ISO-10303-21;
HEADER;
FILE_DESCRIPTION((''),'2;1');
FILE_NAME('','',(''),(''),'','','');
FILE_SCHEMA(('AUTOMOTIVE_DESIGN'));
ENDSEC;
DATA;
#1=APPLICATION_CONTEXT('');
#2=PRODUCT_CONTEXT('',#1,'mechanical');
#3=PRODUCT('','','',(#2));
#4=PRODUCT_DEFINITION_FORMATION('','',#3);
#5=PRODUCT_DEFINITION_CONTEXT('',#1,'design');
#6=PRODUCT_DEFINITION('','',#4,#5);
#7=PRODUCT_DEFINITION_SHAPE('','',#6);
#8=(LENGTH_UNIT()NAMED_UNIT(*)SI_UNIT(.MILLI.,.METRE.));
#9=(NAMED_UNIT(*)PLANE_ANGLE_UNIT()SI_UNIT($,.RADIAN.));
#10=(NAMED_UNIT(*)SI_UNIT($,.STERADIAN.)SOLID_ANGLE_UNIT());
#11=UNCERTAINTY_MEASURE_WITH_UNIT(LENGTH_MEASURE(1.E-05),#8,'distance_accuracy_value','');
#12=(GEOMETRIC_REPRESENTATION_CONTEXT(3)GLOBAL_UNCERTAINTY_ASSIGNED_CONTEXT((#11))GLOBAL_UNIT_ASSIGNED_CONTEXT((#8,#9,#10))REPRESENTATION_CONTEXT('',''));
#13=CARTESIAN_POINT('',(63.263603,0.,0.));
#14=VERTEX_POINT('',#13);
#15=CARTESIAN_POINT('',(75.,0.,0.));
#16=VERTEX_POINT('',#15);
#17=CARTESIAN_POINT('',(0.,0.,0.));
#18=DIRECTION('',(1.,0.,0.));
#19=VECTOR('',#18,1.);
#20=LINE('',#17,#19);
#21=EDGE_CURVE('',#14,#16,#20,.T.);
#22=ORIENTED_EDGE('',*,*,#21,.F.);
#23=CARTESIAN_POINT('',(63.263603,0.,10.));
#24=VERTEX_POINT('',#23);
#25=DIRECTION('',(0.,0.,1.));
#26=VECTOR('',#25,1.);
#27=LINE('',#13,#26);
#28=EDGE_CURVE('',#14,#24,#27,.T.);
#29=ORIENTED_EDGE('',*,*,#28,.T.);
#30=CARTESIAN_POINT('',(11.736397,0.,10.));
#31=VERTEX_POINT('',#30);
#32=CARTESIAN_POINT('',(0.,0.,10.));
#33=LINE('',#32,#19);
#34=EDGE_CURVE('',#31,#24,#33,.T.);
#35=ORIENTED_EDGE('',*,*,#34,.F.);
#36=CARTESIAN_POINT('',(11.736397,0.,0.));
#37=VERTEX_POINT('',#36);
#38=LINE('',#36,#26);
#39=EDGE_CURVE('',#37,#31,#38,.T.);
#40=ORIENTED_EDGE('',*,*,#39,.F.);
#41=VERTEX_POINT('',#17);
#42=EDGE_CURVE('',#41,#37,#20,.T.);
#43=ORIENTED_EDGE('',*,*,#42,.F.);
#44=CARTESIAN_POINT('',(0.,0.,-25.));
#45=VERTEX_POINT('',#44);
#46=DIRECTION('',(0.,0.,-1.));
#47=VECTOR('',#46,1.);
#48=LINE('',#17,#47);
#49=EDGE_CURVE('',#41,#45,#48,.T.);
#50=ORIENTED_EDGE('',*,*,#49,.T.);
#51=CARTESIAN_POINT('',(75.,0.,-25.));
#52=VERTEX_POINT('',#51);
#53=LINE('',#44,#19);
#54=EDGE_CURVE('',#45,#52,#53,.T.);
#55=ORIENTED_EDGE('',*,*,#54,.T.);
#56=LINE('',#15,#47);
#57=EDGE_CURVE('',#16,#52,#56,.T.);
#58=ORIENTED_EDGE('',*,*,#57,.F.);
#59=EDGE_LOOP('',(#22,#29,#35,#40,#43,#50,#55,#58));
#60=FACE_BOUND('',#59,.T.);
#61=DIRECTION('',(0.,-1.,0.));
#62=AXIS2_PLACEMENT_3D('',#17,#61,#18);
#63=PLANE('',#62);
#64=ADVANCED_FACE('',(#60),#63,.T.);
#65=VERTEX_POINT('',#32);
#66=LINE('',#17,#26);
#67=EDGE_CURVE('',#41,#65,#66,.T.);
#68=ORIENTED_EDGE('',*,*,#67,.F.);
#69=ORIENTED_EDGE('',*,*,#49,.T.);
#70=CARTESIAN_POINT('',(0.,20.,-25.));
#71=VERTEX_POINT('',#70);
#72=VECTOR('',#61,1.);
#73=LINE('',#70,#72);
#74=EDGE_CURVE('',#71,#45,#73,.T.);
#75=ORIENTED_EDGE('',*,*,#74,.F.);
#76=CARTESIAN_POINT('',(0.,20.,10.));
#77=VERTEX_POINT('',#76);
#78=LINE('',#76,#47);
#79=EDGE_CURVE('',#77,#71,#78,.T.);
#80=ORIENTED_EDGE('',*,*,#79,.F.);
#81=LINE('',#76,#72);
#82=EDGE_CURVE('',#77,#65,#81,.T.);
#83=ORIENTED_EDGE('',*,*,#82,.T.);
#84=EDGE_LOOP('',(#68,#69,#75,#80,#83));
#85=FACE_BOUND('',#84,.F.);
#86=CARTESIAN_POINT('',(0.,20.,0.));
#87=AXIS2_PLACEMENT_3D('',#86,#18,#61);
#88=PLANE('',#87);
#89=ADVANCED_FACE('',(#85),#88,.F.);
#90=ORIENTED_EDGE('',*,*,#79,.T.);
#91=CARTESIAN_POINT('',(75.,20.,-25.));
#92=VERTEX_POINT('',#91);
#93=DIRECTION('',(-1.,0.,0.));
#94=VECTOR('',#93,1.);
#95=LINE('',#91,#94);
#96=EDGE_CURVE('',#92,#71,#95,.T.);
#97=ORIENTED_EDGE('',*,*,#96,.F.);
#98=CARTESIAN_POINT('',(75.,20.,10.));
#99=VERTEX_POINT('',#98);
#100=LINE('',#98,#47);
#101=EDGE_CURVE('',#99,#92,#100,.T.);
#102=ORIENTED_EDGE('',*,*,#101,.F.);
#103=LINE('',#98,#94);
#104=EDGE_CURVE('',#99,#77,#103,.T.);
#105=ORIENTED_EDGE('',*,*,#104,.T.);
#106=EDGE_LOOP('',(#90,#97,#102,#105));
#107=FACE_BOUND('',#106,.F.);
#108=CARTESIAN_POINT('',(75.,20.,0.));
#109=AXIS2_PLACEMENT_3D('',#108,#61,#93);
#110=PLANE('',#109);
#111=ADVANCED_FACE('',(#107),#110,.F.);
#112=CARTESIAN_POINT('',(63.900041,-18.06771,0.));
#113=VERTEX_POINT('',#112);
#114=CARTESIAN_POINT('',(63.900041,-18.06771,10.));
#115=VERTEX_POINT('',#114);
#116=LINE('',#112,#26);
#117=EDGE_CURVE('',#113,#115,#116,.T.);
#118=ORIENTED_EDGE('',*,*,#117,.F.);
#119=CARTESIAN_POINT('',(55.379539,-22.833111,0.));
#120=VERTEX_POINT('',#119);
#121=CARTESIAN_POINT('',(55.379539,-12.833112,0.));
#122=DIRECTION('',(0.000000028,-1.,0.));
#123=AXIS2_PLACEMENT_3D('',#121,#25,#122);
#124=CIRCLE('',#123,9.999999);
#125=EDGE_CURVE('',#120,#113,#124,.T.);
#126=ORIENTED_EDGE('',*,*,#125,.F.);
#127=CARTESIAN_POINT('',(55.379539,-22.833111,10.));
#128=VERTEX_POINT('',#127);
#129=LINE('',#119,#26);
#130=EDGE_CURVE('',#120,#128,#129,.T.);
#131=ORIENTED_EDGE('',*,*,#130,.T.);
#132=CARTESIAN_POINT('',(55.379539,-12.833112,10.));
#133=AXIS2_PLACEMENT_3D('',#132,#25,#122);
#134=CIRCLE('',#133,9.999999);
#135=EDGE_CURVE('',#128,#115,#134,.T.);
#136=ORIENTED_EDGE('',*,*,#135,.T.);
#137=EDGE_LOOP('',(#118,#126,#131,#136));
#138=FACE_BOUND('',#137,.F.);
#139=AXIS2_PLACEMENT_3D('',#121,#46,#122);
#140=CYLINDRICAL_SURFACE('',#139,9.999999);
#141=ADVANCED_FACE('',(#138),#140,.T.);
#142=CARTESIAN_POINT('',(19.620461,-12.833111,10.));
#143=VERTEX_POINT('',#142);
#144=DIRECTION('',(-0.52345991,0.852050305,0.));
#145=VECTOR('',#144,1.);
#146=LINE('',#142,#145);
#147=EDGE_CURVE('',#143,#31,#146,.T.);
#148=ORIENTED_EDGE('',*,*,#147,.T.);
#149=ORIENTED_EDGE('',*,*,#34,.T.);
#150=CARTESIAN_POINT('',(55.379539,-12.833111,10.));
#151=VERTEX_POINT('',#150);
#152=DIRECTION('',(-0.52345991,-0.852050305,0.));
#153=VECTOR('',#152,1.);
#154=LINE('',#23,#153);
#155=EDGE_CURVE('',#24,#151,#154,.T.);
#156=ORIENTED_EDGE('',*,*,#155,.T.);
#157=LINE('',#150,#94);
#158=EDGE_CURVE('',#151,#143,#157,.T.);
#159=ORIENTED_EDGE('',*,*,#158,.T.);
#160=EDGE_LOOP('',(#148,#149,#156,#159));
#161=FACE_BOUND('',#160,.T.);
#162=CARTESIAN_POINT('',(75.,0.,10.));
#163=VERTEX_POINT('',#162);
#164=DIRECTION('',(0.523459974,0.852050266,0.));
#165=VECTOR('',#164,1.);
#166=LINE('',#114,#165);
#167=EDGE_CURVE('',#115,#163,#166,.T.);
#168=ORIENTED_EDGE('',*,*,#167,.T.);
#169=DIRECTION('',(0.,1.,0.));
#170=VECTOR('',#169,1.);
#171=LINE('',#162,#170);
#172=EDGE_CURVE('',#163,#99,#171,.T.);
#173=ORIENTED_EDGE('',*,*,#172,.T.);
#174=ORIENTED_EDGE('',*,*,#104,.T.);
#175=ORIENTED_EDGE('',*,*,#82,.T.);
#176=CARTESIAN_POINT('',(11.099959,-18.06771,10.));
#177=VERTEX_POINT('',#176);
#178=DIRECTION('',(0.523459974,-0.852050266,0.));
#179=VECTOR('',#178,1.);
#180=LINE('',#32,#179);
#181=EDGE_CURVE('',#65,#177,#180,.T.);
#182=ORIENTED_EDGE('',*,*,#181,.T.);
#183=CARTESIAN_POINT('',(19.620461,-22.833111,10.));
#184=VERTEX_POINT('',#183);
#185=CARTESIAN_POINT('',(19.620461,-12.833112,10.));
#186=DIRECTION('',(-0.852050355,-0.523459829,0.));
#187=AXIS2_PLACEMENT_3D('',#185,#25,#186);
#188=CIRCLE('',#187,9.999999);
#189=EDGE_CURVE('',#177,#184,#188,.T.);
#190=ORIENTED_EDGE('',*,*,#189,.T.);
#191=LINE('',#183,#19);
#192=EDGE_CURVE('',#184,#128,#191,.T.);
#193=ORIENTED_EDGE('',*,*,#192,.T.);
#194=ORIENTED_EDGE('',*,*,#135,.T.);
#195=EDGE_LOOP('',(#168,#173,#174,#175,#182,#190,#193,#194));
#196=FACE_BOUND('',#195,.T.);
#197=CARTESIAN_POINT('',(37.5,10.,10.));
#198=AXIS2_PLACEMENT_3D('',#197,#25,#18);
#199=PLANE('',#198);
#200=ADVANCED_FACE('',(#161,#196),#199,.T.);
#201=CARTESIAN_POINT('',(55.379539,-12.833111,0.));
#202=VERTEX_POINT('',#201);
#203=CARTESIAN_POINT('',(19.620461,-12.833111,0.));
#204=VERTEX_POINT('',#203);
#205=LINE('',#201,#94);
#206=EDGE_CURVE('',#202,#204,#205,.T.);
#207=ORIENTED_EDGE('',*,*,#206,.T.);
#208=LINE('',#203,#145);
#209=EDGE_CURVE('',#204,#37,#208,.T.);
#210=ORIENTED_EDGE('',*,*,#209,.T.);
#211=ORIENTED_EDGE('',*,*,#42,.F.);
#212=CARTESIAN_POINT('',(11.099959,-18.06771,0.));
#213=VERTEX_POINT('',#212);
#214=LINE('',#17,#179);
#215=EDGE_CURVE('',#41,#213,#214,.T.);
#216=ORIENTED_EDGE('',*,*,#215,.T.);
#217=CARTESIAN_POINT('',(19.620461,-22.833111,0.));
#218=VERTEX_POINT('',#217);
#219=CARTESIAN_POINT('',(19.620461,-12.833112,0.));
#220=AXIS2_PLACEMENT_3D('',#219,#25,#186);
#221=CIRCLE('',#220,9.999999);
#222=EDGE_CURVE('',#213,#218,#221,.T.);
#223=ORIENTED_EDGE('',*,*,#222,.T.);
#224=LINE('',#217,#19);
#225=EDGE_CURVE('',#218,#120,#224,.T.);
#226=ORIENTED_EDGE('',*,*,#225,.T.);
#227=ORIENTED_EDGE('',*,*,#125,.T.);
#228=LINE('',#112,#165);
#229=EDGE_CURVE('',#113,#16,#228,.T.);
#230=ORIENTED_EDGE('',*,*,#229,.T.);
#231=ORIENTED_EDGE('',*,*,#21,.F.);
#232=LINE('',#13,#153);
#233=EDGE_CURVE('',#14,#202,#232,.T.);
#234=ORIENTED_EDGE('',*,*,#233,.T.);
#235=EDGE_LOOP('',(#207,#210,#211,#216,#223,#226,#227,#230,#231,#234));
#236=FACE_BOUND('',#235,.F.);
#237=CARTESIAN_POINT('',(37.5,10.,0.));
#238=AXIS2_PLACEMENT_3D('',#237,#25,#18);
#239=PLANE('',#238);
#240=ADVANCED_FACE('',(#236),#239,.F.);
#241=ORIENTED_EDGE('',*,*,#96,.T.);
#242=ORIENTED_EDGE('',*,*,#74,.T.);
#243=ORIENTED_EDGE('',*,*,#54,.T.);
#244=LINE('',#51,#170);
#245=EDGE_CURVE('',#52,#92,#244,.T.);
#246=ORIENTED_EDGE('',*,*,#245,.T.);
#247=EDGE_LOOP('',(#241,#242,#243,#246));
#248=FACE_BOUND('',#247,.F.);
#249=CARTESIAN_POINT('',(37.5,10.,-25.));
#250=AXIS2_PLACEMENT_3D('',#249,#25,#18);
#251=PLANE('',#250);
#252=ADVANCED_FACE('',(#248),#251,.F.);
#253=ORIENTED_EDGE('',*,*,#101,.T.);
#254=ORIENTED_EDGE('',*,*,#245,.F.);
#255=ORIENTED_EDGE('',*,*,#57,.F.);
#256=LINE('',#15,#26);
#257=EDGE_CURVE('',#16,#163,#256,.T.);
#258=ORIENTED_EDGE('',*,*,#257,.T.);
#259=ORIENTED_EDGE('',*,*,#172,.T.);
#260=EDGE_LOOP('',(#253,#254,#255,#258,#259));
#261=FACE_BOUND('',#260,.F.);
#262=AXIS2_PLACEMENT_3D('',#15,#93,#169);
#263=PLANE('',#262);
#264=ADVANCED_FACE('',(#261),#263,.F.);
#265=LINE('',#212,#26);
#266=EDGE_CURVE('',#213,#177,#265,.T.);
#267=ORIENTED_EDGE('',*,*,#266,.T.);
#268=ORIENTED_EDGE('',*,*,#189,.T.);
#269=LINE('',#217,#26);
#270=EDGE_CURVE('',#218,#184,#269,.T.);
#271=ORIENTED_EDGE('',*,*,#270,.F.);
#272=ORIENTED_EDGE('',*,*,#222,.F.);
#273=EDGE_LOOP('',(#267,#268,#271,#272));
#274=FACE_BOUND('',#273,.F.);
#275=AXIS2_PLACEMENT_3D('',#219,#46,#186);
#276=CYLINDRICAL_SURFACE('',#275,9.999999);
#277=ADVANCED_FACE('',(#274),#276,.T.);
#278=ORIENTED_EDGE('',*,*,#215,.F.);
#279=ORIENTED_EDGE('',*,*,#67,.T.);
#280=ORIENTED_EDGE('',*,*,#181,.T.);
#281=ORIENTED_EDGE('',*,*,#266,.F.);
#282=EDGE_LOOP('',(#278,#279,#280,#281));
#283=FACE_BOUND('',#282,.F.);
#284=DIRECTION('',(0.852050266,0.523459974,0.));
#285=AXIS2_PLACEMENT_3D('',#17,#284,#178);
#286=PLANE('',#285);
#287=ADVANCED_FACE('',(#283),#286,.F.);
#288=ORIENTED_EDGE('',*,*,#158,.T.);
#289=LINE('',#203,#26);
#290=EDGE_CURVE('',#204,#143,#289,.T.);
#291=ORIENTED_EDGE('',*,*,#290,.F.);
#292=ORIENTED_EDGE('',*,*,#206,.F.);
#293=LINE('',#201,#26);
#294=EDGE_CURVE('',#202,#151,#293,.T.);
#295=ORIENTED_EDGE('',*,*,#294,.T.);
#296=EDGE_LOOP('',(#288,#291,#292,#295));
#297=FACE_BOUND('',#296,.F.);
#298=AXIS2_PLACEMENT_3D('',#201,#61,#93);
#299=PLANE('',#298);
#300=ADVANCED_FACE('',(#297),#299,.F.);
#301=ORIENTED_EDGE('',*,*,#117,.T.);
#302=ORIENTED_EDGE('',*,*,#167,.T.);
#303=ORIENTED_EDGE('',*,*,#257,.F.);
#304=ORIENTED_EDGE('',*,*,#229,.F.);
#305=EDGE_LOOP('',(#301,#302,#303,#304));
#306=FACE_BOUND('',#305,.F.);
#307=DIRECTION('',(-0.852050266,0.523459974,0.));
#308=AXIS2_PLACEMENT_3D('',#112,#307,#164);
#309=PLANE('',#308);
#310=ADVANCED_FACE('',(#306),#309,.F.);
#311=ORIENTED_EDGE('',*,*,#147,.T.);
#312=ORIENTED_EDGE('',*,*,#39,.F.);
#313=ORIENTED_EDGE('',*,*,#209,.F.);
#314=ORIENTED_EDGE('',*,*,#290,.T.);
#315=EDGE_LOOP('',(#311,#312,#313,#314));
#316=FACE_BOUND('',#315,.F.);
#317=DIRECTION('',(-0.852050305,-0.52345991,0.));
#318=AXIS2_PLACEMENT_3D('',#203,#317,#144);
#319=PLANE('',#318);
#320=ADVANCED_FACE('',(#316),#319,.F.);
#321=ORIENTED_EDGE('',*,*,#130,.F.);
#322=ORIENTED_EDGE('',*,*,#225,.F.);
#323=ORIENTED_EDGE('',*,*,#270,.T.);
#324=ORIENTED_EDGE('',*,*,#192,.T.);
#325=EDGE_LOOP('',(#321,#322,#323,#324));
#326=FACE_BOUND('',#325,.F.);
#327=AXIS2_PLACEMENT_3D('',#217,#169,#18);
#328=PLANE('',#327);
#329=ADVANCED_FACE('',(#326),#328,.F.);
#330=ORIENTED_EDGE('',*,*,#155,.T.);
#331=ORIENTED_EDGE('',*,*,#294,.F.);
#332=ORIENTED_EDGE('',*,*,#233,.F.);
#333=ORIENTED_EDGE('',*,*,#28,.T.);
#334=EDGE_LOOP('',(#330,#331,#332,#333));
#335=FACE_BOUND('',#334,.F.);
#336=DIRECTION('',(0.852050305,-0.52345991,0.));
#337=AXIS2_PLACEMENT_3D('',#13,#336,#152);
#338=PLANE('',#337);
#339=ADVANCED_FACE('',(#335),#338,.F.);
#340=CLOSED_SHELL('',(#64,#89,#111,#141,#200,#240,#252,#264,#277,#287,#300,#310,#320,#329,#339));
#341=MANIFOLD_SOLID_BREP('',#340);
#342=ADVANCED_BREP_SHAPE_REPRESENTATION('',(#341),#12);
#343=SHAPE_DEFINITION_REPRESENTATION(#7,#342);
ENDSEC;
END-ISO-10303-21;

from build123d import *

# Parameters (mm, degrees)
F1_DEPTH = 25
F2_DEPTH = 10


with BuildPart() as f1:
    # F0 (on Top) → F1 (new body)
    with BuildSketch(Plane.XY):
        Polygon((0, 20), (0, 0), (11.736397, 0), (37.5, 0), (63.263603, 0), (75, 0), (75, 20), align=None)
    extrude(amount=-F1_DEPTH)

    # F0 (on Top) → F2 (join)
    with BuildSketch(Plane.XY):
        Polygon((0, 20), (0, 0), (11.736397, 0), (37.5, 0), (63.263603, 0), (75, 0), (75, 20), align=None)
        with BuildLine():
            Line((11.736397, 0), (0, 0))
            Line((0, 0), (11.099959, -18.06771))
            ThreePointArc((11.099959, -18.06771), (14.73917, -21.560825), (19.620461, -22.833111))
            Line((19.620461, -22.833111), (37.5, -22.833111))
            Line((37.5, -22.833111), (37.5, -12.833111))
            Line((37.5, -12.833111), (19.620461, -12.833111))
            Line((19.620461, -12.833111), (11.736397, 0))
        make_face()
        with BuildLine():
            Line((75, 0), (63.263603, 0))
            Line((63.263603, 0), (55.379539, -12.833111))
            Line((55.379539, -12.833111), (37.5, -12.833111))
            Line((37.5, -12.833111), (37.5, -22.833111))
            Line((37.5, -22.833111), (55.379539, -22.833111))
            ThreePointArc((55.379539, -22.833111), (60.26083, -21.560825), (63.900041, -18.06771))
            Line((63.900041, -18.06771), (75, 0))
        make_face()
    extrude(amount=F2_DEPTH)


solid = f1.part
